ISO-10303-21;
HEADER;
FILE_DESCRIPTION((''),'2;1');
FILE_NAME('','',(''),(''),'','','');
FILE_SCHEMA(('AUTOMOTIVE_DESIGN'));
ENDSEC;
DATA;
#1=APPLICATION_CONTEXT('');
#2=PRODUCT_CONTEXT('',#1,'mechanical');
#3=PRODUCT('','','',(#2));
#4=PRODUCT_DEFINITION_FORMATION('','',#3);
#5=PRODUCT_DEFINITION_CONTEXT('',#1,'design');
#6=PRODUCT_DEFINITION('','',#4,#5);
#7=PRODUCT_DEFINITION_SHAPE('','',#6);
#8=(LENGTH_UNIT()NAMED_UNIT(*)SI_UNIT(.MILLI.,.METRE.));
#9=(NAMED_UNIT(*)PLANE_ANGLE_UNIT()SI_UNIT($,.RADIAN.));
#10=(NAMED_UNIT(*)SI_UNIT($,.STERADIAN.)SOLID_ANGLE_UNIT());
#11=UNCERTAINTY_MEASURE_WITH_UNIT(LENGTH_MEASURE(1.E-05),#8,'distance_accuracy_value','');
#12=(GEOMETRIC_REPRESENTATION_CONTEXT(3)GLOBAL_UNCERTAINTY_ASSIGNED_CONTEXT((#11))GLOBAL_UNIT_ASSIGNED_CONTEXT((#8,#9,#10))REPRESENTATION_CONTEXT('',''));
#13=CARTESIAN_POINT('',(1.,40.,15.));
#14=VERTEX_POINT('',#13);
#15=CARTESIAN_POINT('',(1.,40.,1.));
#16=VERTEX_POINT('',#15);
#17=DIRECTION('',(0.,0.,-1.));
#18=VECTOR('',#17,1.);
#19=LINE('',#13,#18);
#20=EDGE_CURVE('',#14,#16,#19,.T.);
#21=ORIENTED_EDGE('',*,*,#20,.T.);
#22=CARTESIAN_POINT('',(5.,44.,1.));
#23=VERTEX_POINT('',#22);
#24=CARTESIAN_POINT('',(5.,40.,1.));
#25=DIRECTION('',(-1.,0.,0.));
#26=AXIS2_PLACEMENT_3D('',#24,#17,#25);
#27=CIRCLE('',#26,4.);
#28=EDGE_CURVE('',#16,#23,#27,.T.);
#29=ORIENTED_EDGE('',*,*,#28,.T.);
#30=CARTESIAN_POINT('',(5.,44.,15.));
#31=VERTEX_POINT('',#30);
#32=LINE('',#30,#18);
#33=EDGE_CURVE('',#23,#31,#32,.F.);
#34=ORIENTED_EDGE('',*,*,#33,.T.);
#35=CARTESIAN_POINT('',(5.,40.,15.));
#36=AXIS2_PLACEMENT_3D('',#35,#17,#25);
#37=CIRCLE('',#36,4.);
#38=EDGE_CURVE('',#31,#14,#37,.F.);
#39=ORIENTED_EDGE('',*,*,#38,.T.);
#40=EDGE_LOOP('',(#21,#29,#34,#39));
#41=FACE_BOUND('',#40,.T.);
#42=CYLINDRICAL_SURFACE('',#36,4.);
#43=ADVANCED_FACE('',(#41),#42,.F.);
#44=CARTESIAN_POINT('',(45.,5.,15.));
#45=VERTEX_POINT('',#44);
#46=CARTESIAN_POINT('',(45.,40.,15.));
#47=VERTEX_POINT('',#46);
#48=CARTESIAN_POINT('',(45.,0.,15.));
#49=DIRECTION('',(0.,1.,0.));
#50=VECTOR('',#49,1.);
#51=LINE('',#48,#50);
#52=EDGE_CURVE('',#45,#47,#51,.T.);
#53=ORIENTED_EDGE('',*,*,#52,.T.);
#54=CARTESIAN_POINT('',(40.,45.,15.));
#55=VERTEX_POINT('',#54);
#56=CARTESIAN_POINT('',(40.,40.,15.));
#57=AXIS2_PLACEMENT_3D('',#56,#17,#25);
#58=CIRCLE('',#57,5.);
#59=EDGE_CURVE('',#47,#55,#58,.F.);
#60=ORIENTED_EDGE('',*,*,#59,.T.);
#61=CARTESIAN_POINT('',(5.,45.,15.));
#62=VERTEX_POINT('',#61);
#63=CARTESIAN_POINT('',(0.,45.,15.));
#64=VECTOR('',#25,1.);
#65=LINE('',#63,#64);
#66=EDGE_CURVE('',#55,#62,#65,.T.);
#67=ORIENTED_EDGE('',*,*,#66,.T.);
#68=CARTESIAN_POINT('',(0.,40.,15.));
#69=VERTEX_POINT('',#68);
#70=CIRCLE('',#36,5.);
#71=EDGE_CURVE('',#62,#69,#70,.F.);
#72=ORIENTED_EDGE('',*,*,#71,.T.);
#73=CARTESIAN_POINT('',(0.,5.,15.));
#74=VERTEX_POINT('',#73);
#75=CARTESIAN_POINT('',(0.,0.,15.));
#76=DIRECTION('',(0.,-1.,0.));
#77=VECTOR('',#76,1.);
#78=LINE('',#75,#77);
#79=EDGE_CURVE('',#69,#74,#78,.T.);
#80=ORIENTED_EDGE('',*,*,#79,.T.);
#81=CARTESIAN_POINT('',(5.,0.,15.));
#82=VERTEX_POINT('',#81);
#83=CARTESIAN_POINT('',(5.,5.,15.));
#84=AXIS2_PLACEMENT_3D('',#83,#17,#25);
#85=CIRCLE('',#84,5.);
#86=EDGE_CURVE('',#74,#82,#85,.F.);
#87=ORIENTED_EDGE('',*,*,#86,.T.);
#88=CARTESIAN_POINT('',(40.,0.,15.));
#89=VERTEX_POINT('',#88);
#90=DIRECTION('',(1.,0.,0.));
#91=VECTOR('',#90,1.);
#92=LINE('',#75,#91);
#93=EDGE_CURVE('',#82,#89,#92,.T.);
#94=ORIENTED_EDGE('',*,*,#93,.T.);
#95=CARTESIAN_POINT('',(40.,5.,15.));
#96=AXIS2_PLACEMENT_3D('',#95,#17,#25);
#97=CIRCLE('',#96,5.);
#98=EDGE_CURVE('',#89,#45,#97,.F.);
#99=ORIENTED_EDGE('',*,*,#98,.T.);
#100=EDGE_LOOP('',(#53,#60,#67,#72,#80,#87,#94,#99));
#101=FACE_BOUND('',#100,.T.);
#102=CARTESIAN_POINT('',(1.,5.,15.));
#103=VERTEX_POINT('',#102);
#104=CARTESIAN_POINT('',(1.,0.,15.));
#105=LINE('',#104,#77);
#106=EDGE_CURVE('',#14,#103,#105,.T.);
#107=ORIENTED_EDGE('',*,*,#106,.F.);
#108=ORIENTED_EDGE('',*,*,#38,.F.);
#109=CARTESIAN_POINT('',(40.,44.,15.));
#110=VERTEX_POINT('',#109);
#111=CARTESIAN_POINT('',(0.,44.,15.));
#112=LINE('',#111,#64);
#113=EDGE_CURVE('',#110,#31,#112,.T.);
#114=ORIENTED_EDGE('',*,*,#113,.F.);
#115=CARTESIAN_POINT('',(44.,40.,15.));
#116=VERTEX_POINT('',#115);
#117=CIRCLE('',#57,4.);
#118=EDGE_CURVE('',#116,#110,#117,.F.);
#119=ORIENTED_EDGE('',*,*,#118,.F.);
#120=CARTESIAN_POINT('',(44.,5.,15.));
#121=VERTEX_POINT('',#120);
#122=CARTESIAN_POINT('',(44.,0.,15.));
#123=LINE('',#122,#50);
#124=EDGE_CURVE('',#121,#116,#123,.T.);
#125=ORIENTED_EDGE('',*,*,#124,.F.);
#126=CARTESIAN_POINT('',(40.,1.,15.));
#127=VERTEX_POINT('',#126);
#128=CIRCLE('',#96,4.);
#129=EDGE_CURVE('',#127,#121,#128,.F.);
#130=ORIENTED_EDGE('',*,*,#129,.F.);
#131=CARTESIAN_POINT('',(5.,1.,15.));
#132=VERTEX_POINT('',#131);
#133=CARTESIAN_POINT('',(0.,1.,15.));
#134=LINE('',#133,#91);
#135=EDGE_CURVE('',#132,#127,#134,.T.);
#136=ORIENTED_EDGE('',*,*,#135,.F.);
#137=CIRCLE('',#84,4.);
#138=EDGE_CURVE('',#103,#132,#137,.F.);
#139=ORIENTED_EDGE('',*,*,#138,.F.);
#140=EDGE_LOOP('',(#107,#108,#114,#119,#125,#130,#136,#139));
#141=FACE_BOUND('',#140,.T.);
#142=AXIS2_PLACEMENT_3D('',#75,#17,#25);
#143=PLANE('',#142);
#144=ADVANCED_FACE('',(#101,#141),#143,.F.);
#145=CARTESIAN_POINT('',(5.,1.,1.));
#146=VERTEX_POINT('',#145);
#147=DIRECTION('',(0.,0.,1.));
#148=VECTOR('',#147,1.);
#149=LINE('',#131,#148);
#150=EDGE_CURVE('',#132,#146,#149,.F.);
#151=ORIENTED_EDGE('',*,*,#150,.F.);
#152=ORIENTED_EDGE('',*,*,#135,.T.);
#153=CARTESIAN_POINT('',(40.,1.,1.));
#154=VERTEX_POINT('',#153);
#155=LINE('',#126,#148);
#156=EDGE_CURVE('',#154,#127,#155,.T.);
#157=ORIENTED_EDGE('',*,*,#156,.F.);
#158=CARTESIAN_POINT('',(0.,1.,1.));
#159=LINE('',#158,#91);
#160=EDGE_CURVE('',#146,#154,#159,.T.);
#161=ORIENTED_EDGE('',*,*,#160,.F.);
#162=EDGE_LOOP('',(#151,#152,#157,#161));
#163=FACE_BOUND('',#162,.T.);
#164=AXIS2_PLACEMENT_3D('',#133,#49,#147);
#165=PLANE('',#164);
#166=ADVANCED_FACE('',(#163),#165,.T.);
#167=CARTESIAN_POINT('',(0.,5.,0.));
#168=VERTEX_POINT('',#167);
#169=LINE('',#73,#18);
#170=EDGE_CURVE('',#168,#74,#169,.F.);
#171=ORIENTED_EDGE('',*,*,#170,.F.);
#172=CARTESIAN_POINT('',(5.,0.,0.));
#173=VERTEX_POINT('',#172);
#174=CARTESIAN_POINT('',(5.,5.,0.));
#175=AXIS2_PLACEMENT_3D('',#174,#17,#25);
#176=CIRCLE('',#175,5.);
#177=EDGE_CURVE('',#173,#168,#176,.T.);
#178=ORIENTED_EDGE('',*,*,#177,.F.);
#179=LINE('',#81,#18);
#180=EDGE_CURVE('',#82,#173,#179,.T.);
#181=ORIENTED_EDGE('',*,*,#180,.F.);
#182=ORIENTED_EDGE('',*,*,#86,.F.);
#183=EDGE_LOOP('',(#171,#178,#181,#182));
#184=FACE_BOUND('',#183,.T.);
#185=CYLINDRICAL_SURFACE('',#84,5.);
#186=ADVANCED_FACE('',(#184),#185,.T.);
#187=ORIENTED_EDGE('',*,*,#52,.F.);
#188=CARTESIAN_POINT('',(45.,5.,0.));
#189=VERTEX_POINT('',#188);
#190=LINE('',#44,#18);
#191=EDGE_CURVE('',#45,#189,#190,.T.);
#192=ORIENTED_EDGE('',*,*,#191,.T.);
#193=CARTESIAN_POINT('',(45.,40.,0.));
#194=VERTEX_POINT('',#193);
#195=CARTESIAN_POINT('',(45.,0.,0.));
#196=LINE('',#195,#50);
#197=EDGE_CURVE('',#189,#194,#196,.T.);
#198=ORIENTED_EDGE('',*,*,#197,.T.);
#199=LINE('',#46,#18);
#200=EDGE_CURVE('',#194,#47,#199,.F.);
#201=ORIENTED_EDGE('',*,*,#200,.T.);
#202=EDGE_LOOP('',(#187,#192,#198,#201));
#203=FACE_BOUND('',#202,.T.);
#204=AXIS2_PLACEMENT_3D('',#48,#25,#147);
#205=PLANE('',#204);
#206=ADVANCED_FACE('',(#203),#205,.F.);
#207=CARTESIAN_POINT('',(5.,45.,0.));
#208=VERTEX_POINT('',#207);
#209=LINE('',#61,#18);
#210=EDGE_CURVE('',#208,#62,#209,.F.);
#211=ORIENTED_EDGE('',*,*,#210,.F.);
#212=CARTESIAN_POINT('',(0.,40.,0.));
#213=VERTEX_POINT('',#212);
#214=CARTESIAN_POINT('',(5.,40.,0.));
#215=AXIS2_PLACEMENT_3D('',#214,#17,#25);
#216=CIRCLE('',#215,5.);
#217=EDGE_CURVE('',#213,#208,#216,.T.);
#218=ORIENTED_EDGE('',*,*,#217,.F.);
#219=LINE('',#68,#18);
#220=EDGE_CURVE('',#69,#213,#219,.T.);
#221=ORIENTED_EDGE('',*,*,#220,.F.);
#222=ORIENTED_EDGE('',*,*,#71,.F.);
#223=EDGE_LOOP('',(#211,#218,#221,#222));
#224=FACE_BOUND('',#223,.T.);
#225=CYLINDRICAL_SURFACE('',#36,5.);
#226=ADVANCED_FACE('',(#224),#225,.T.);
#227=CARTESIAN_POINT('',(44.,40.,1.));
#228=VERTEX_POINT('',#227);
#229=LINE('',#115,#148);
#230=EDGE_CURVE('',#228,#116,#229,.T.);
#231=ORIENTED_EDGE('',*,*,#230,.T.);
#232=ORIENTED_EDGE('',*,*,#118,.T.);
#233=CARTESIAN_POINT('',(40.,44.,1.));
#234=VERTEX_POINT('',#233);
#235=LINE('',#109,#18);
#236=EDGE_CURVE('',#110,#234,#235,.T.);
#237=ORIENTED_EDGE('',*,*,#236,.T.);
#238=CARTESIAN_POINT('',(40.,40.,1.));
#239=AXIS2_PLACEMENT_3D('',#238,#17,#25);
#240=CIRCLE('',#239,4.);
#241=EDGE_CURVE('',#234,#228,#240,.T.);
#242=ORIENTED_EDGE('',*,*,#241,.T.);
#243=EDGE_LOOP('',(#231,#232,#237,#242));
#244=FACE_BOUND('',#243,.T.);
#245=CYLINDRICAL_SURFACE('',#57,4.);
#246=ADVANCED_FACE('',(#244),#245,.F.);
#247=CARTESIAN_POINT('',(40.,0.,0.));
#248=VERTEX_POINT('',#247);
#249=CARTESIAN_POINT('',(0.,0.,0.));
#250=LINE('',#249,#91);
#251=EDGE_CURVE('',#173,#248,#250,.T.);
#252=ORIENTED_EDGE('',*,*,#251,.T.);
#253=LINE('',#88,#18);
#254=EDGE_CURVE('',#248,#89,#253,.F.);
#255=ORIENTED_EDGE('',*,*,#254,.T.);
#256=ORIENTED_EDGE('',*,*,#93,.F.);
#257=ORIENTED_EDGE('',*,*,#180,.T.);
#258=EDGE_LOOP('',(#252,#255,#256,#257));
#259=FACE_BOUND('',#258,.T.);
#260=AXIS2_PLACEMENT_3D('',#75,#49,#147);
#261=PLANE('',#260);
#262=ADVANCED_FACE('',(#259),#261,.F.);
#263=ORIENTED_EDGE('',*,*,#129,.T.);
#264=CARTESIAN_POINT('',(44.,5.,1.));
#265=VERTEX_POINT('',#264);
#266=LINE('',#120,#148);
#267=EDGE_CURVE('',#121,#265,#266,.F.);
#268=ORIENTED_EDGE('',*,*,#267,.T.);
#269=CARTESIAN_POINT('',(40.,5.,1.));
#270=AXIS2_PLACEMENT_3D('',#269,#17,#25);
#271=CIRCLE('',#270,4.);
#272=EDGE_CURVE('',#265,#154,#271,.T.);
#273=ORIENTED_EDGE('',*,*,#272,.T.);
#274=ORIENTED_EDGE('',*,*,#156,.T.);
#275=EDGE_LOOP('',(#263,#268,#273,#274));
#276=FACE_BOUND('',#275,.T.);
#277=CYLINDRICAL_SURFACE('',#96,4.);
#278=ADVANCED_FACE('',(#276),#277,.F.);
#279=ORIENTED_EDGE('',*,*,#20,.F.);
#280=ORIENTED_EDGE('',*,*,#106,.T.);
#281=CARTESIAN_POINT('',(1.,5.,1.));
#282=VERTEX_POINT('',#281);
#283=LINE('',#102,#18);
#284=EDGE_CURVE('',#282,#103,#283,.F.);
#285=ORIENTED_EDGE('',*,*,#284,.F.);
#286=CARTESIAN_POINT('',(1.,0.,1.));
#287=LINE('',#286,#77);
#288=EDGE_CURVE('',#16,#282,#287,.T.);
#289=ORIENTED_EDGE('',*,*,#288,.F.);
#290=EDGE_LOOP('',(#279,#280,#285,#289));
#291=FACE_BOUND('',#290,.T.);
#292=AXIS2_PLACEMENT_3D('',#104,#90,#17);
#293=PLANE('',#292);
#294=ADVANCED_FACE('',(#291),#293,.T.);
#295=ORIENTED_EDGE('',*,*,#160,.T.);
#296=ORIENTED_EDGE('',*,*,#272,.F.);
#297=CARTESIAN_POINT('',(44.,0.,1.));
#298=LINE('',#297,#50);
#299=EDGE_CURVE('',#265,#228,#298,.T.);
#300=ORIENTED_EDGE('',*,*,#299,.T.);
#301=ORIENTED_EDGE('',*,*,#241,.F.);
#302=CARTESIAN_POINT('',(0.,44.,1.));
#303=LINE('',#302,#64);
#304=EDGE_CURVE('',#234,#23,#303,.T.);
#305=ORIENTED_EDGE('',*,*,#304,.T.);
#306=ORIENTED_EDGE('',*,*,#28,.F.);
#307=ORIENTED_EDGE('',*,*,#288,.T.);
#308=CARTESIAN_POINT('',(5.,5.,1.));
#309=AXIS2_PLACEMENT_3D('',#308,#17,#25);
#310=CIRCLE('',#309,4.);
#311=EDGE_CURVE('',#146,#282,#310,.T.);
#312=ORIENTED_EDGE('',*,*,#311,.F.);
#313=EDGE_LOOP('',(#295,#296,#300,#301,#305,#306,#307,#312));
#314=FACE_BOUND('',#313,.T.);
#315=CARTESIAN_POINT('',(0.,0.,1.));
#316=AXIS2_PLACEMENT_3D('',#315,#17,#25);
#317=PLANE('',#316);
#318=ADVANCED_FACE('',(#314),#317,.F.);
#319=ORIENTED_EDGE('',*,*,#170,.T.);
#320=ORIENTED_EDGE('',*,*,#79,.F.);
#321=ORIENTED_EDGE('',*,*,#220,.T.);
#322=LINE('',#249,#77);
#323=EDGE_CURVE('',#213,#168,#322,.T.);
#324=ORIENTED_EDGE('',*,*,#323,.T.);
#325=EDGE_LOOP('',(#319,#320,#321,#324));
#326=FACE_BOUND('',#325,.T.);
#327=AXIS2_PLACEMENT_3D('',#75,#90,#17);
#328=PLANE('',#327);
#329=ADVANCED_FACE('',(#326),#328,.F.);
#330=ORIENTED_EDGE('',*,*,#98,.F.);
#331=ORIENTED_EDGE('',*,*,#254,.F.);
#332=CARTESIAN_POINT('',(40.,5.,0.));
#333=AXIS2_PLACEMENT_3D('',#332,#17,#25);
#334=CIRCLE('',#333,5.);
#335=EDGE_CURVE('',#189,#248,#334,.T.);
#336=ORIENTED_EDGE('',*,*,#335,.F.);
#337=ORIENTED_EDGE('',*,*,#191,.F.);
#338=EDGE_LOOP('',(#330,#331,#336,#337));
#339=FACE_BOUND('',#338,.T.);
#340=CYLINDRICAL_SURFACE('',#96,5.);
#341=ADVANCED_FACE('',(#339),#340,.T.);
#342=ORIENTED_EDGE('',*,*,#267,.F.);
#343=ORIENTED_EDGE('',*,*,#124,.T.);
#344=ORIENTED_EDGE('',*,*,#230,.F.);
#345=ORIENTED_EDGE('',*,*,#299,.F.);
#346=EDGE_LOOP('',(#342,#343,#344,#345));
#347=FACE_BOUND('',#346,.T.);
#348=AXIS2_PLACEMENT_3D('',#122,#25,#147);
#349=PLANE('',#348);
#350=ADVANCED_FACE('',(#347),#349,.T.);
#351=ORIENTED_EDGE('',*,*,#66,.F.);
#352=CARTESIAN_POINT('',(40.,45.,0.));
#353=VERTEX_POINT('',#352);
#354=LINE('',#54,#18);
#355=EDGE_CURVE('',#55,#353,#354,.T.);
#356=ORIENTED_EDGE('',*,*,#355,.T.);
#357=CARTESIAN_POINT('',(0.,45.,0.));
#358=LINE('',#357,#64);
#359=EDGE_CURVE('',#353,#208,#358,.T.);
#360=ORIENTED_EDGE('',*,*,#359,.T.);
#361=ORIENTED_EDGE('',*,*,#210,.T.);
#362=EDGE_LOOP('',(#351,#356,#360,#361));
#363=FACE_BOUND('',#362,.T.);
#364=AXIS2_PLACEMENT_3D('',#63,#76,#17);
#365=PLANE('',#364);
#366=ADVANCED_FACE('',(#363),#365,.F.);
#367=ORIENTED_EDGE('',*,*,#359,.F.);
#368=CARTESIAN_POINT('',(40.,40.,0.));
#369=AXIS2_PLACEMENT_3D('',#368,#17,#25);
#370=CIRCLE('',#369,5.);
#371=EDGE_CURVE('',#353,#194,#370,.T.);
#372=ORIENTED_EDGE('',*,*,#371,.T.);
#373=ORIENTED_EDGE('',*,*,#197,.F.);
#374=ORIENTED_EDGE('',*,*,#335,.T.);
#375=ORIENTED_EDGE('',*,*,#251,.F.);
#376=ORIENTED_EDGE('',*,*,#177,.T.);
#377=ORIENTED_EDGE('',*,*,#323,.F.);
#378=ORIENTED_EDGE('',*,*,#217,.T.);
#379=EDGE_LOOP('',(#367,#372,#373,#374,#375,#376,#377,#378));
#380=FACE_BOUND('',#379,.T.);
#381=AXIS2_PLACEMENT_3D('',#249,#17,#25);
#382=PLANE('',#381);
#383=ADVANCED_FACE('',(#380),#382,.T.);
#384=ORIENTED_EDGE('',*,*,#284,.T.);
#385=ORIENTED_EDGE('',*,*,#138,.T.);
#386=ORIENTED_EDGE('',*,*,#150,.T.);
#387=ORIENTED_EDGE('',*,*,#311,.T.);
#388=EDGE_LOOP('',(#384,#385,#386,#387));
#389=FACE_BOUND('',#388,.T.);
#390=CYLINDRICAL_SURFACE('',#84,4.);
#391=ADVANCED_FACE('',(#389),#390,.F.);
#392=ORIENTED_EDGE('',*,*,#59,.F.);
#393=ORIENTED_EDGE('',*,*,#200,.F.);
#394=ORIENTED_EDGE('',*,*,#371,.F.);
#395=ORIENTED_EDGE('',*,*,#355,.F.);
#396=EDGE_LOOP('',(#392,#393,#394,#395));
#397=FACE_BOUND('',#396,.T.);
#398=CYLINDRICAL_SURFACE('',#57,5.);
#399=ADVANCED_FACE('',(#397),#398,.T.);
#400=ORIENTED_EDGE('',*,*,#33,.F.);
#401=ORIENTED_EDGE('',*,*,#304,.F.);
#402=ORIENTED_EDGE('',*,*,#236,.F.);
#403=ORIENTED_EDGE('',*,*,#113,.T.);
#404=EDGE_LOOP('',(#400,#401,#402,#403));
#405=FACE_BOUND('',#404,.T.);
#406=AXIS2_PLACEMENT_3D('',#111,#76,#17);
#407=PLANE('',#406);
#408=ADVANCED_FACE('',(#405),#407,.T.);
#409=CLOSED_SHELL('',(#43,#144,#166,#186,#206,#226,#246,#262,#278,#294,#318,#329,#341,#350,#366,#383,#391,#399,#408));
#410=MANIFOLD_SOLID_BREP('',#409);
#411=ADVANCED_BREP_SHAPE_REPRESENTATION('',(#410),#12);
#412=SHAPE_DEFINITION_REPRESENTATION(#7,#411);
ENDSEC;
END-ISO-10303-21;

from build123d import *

# Parameters (mm, degrees)
SKETCH1_W           = 45
SKETCH1_H           = 45
BOSS_EXTRUDE1_DEPTH = 15
FILLET1_R           = 5
SHELL1_T            = -1


with BuildPart() as part:
    # Sketch1 → Boss-Extrude1 (new body)
    with BuildSketch(Plane.XY):
        with Locations((22.5, 22.5)):
            Rectangle(SKETCH1_W, SKETCH1_H)
    extrude(amount=BOSS_EXTRUDE1_DEPTH)

    # Fillet1
    fillet1_edges = [part.edges().sort_by_distance(p)[0] for p in [
        (0, 45, 7.5),
        (45, 45, 7.5),
        (45, 0, 7.5),
        (0, 0, 7.5),
    ]]
    fillet(fillet1_edges, radius=FILLET1_R)

    # Shell1
    shell1_openings = [part.faces().sort_by_distance(p)[0] for p in [
        (22.5, 22.5, 15),
    ]]
    offset(amount=SHELL1_T, openings=shell1_openings, kind=Kind.INTERSECTION)


solid = part.part
